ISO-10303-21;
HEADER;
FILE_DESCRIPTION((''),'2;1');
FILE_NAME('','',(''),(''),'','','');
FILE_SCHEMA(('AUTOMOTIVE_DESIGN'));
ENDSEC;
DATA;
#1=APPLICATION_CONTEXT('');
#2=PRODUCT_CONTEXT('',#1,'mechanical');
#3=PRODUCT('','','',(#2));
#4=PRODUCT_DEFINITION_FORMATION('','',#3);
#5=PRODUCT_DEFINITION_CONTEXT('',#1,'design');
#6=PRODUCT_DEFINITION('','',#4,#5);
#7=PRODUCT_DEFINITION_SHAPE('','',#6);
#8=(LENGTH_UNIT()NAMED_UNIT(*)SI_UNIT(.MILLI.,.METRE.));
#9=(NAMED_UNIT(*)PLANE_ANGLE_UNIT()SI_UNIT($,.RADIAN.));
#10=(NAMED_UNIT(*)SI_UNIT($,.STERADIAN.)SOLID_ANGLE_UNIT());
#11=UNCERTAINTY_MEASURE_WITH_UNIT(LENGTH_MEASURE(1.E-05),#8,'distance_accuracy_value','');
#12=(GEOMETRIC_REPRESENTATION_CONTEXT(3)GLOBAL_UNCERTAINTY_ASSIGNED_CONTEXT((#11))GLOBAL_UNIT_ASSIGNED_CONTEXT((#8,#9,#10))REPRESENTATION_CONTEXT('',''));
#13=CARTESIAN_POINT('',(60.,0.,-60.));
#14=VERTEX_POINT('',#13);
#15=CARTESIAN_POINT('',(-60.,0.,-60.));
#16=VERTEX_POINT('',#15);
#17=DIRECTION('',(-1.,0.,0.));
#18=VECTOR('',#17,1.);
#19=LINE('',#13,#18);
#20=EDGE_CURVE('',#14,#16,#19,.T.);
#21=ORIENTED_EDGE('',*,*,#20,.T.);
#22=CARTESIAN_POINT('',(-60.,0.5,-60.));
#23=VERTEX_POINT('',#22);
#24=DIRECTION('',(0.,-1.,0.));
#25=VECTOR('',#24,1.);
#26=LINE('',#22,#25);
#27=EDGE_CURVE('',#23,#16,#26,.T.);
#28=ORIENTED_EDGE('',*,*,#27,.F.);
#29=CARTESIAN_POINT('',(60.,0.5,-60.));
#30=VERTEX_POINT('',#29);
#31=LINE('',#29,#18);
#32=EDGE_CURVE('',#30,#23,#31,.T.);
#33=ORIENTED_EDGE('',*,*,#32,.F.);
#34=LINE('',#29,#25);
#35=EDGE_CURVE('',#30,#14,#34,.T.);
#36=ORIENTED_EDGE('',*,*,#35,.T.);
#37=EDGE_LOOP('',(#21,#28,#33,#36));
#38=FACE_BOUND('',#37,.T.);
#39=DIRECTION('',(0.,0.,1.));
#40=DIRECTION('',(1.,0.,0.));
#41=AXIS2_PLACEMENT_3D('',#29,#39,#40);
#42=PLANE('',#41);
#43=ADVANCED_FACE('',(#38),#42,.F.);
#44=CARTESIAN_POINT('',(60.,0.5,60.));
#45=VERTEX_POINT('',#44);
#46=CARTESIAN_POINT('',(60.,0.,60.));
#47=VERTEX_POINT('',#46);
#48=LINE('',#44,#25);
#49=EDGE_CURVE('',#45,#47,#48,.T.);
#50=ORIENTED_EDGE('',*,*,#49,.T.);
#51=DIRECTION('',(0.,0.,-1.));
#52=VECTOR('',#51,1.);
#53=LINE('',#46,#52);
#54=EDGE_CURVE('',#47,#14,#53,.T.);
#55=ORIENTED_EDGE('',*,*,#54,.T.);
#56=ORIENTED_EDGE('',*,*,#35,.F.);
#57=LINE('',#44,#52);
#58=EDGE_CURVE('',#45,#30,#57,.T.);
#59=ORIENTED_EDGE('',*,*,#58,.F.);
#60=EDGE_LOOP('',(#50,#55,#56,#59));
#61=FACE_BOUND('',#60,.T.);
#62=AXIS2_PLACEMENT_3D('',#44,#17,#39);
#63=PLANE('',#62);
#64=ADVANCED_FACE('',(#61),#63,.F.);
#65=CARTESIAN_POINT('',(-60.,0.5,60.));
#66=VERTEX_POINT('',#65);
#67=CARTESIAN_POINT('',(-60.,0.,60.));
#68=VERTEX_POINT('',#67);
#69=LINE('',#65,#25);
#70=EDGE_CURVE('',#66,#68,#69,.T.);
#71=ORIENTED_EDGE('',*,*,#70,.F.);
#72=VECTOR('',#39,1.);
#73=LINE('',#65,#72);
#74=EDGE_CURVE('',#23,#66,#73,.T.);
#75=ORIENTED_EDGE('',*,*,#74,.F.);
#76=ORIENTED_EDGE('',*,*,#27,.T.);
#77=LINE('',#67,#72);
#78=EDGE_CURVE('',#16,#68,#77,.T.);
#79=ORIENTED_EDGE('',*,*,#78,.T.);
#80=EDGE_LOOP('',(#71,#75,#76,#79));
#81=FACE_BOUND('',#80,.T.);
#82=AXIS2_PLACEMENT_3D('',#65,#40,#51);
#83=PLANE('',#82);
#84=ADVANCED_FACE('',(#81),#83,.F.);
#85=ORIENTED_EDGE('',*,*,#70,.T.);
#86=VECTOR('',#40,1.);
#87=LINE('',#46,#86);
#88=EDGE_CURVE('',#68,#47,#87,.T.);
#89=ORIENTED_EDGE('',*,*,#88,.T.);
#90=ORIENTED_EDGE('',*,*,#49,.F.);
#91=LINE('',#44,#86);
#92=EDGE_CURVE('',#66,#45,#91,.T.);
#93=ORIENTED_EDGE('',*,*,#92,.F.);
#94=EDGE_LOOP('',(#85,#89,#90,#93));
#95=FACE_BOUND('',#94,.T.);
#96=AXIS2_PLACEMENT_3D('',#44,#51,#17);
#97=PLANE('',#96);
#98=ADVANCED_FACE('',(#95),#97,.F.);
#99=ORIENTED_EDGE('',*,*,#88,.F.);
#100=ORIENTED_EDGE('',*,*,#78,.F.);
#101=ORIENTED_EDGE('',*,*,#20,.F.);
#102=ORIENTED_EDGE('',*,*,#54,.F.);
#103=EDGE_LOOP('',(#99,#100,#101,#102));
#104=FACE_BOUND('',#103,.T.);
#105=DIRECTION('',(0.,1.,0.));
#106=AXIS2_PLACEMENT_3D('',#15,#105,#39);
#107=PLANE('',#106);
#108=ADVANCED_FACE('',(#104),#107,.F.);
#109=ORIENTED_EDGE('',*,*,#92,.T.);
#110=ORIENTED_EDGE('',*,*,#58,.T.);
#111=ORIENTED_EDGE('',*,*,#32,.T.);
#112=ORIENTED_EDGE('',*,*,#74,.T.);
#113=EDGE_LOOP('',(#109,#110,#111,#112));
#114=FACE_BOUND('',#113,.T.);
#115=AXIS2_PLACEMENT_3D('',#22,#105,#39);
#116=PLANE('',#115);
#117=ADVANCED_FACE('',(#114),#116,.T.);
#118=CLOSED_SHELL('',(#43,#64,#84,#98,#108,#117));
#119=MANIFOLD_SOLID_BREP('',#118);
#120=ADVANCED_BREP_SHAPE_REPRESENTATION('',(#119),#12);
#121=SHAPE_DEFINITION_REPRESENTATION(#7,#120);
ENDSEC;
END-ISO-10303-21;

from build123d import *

# Parameters (mm, degrees)
SKETCH1_W      = 120
SKETCH1_H      = 120
EXTRUDE1_DEPTH = 0.5


with BuildPart() as part:
    # Sketch1 → Extrude1 (new body)
    with BuildSketch(Plane(origin=(0, 0, 0), x_dir=(1, 0, 0), z_dir=(0, 1, 0))):
        Rectangle(SKETCH1_W, SKETCH1_H)
    extrude(amount=EXTRUDE1_DEPTH)


solid = part.part
